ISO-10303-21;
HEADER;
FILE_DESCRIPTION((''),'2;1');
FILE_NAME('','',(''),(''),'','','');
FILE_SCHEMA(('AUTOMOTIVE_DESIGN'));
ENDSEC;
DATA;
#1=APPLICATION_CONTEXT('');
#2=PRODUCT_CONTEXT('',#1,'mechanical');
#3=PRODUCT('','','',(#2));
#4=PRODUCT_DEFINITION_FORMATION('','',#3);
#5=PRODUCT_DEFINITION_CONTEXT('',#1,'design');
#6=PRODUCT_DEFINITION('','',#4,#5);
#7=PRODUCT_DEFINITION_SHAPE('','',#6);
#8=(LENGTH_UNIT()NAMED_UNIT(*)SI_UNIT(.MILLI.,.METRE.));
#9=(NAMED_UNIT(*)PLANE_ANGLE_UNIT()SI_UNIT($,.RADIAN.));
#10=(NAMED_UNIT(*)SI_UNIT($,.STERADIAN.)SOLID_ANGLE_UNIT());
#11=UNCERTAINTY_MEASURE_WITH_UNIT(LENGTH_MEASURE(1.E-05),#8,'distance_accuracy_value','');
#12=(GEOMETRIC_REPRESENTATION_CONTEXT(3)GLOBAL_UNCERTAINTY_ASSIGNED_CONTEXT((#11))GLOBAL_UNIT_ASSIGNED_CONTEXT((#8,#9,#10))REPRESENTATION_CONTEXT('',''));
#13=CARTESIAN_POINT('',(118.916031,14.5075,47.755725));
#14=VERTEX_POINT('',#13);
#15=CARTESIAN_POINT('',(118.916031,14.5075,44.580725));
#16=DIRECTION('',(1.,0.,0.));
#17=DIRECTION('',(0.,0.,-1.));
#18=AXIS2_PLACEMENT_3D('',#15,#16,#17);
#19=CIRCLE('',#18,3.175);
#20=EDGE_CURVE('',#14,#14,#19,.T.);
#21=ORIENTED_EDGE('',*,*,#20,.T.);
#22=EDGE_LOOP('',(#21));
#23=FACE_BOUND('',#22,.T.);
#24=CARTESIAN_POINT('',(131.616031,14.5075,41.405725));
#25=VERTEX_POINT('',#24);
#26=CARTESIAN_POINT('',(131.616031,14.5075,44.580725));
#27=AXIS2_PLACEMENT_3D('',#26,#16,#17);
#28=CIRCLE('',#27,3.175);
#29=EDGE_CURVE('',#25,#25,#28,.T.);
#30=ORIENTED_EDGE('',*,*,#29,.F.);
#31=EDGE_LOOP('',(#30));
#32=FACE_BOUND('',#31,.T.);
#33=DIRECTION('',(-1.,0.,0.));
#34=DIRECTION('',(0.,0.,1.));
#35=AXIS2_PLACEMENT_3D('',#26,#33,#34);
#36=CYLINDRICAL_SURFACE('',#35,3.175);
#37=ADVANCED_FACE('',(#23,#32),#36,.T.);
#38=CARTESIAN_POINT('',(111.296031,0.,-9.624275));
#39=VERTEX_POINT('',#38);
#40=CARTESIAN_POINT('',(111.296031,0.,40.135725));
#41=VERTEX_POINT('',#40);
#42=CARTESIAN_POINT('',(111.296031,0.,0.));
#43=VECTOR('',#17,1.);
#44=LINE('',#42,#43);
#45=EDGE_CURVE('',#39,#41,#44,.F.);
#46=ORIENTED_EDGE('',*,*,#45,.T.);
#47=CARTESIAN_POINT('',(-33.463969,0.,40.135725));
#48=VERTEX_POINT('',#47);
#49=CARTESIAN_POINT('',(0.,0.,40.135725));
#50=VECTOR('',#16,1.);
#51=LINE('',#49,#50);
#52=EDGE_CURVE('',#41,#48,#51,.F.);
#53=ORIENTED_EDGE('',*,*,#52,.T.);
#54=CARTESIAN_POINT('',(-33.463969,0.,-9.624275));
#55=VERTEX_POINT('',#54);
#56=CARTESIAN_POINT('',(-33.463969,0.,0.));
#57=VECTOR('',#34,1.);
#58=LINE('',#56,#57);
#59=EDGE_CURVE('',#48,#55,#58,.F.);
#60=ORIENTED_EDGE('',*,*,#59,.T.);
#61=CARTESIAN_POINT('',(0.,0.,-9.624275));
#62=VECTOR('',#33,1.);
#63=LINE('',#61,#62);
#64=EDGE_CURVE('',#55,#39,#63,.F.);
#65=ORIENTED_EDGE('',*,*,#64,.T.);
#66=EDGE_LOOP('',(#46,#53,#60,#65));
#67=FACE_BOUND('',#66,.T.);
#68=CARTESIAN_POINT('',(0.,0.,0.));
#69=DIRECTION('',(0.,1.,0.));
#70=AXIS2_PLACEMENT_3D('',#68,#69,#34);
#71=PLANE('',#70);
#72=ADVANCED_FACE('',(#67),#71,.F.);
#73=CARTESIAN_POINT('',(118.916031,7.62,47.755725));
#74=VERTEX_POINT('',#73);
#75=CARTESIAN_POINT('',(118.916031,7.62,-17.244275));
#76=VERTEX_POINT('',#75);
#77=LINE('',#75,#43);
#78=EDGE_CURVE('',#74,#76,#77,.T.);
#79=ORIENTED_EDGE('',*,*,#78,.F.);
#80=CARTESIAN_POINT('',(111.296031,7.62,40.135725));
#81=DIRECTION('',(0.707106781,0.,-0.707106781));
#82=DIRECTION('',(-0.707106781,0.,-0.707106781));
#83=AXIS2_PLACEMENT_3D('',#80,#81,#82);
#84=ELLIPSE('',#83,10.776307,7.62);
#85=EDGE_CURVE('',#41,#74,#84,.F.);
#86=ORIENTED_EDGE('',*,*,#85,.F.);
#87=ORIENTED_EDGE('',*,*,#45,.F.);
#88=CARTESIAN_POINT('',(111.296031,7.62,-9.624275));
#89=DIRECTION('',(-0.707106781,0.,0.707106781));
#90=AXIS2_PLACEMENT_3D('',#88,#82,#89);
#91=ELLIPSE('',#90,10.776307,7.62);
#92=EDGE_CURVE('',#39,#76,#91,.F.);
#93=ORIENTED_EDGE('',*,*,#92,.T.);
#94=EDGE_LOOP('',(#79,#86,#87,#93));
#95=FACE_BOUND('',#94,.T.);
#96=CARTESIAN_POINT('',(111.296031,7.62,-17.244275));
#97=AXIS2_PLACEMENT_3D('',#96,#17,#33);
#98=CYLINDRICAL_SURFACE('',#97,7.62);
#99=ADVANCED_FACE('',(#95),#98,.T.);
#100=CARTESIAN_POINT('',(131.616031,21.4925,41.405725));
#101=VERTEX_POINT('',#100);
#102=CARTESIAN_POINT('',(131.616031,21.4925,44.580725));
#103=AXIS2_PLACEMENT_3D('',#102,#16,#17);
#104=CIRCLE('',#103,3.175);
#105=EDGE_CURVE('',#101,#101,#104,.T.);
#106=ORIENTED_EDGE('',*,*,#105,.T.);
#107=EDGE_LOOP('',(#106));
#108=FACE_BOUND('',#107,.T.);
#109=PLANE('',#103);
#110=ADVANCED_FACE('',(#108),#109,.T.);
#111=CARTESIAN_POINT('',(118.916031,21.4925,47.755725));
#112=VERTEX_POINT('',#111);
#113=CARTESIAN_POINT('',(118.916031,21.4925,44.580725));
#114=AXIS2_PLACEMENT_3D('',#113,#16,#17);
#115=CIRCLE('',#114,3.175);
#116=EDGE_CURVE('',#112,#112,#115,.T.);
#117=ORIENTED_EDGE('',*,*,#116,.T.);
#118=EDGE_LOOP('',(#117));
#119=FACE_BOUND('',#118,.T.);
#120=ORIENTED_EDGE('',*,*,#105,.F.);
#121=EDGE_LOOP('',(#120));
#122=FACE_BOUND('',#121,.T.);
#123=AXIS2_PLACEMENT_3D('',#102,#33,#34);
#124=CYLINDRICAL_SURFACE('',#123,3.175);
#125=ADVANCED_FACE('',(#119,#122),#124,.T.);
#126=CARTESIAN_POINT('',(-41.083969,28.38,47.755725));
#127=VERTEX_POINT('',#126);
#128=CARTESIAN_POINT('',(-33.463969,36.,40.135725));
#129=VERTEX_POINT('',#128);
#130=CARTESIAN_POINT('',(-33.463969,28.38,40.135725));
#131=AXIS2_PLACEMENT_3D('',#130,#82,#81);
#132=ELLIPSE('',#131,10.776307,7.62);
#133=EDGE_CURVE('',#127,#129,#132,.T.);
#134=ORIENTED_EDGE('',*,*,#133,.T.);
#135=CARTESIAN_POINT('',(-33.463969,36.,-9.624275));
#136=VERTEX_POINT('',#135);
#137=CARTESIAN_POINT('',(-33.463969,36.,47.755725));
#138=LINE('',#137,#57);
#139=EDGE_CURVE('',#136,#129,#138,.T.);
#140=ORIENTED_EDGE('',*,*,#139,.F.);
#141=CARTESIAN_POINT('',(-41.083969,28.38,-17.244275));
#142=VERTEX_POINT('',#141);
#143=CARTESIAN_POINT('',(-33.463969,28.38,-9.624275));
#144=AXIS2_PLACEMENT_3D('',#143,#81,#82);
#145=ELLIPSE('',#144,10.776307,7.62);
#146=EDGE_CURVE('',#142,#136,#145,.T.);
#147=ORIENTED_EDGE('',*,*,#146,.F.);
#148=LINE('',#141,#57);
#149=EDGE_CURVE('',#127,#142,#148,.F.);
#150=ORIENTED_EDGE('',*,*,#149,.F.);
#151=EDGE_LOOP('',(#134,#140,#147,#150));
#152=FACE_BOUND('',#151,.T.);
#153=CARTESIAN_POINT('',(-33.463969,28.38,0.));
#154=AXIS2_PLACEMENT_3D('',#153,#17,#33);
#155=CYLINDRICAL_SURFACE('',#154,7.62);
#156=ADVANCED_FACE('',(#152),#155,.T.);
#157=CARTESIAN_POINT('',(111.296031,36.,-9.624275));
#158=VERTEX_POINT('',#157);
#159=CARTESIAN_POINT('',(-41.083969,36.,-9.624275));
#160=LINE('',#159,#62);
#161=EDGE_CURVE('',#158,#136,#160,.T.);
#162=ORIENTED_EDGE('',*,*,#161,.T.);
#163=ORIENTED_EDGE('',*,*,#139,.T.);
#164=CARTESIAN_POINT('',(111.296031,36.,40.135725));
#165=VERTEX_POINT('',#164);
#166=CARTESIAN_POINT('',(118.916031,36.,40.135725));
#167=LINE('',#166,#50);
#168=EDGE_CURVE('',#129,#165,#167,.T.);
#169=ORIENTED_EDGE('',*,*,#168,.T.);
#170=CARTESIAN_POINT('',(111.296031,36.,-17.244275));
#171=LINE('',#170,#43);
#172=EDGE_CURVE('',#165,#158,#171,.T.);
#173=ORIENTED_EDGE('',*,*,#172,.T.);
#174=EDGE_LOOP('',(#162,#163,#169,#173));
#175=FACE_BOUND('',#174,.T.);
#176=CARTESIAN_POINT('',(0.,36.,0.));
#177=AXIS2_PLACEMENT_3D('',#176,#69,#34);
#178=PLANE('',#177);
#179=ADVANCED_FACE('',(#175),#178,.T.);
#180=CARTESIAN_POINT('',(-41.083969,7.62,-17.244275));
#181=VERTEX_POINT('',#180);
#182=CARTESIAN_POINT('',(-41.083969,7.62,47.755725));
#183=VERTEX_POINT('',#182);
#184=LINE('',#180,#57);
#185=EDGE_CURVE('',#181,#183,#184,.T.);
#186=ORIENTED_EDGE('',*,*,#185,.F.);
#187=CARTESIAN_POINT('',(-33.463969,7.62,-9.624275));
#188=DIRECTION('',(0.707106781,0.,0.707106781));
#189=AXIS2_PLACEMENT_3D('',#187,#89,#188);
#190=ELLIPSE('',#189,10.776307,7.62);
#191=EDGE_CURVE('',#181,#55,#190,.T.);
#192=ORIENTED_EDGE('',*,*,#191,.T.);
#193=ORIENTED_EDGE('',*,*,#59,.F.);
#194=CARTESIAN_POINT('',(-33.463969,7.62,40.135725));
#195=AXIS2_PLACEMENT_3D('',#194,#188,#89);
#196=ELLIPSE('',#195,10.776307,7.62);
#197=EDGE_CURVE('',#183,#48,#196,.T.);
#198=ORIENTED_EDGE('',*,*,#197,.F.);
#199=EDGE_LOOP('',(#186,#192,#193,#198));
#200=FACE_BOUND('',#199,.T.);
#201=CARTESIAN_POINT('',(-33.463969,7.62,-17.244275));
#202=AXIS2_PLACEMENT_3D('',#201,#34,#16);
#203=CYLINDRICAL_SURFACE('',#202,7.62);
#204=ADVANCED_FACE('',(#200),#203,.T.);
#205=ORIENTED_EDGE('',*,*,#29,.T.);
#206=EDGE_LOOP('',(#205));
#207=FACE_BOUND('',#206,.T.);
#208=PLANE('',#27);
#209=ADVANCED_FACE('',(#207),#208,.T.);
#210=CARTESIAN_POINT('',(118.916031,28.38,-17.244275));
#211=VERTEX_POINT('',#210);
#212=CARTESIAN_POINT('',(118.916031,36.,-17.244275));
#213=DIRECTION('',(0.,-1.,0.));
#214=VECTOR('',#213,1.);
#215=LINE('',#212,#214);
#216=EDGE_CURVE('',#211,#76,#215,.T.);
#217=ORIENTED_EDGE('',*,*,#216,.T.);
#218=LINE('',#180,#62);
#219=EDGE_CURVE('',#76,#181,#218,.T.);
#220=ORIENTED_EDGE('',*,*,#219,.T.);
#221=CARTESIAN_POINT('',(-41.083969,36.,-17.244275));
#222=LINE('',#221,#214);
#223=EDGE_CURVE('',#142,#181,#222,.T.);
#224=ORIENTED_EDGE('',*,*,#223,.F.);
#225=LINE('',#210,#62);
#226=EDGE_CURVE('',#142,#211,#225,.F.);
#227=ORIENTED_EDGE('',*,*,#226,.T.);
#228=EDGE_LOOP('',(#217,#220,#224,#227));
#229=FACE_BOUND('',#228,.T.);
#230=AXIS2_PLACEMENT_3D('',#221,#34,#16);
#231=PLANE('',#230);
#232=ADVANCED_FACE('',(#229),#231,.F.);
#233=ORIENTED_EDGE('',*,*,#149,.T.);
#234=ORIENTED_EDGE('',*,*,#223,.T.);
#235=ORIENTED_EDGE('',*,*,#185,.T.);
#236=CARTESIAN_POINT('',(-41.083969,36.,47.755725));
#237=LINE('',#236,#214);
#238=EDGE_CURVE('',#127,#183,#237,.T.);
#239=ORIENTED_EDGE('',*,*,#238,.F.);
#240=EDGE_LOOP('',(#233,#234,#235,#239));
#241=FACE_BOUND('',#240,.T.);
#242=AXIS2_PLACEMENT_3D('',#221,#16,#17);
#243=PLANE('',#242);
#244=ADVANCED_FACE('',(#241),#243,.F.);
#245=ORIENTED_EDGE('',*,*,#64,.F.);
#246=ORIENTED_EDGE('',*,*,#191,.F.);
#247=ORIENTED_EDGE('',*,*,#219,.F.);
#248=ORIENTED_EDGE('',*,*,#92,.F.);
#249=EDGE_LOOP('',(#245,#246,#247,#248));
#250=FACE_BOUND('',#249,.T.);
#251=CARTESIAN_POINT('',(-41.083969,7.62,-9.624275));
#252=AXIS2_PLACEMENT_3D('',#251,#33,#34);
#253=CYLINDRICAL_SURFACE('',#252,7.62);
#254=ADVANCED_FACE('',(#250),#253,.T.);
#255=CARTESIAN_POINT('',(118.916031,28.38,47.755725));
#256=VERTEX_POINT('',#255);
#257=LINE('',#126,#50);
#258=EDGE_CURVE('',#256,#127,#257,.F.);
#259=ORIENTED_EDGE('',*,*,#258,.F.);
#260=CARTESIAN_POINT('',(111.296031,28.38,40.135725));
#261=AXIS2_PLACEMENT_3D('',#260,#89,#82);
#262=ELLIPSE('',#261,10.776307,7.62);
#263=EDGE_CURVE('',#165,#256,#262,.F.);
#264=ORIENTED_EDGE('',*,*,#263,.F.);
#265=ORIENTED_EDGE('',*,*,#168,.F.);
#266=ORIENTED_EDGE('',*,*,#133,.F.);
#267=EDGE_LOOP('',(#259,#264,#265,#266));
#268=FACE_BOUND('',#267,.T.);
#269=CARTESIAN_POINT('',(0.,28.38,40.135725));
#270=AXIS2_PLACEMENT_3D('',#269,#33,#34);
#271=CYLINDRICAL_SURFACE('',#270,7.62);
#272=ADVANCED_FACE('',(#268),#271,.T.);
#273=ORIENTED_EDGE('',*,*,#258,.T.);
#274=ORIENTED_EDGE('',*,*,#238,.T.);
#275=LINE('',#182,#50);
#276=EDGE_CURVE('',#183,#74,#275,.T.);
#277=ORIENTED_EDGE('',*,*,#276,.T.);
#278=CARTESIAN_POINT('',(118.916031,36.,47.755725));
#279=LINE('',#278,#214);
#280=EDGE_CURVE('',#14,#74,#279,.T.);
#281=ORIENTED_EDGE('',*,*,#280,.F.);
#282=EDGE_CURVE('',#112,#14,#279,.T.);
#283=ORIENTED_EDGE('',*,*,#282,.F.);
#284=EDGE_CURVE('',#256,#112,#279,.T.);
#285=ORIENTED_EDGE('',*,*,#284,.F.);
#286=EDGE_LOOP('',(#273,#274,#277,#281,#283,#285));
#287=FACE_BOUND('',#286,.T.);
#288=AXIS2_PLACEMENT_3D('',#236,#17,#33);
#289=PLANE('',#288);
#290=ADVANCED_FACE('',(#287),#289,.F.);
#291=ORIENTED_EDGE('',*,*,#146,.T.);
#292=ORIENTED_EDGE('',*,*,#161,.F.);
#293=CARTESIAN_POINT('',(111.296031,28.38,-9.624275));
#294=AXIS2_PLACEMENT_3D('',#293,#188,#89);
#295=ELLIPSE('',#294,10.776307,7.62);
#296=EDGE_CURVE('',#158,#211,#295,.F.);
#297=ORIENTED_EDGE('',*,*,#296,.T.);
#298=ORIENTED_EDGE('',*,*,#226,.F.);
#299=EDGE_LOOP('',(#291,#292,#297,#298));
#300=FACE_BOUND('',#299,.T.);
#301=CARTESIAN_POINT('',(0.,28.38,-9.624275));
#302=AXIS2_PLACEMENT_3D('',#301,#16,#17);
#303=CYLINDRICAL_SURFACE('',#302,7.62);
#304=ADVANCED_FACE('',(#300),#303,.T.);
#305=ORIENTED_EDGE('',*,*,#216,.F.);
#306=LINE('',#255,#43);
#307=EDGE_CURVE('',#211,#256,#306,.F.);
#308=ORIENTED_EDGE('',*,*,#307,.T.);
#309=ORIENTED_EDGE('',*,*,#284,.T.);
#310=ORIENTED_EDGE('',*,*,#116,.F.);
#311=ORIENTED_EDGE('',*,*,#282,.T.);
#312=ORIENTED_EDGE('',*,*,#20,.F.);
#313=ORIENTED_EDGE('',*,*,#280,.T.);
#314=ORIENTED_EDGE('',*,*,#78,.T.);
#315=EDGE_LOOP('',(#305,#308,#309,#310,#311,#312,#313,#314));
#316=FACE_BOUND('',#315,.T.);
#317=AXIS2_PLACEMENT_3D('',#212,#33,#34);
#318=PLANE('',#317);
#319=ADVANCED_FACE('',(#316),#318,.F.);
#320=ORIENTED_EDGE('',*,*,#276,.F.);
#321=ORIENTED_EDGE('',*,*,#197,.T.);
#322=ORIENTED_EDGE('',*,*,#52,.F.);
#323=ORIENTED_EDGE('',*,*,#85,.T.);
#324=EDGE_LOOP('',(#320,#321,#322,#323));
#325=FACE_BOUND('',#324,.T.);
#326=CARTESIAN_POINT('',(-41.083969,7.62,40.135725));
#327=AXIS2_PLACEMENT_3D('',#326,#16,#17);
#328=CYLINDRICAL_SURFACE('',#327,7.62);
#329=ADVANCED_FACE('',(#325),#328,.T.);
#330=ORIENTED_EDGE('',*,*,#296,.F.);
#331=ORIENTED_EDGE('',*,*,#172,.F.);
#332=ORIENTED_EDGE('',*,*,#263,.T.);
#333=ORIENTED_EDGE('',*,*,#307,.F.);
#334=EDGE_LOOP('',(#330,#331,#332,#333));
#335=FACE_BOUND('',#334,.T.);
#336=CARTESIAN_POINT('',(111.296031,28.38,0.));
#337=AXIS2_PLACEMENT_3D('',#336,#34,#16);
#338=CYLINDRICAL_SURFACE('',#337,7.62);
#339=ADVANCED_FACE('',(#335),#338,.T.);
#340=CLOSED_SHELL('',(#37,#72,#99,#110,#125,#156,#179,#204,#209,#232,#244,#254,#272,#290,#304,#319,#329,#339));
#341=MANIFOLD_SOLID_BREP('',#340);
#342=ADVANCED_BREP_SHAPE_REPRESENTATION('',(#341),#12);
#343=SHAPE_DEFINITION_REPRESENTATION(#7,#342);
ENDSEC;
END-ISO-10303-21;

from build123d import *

# Parameters (mm, degrees)
SKETCH1_W           = 160
SKETCH1_H           = 65
BOSS_EXTRUDE1_DEPTH = 36
SKETCH2_R           = 3.175
BOSS_EXTRUDE3_DEPTH = 12.7
FILLET1_R           = 7.62


with BuildPart() as part:
    # Sketch1 → Boss-Extrude1 (new body)
    with BuildSketch(Plane(origin=(0, 0, 0), x_dir=(1, 0, 0), z_dir=(0, 1, 0))):
        with Locations((38.916030534, -15.255725191)):
            Rectangle(SKETCH1_W, SKETCH1_H)
    extrude(amount=BOSS_EXTRUDE1_DEPTH)

    # Sketch2 → Boss-Extrude3 (add)
    with BuildSketch(Plane(origin=(118.916030534, 0, 0), x_dir=(0, 0, -1), z_dir=(1, 0, 0))):
        with Locations(Location((-44.580725191, 21.4925, 0), (0, 0, 180))):
            Circle(SKETCH2_R)
        with Locations(Location((-44.580725191, 14.5075, 0), (0, 0, 180))):
            Circle(SKETCH2_R)
    extrude(amount=BOSS_EXTRUDE3_DEPTH)

    # Fillet1
    fillet1_edges = [part.edges().sort_by_distance(p)[0] for p in [
        (118.916030534, 36, 15.255725191),
        (38.916030534, 36, -17.244274809),
        (-41.083969466, 36, 15.255725191),
        (38.916030534, 0, -17.244274809),
        (118.916030534, 0, 15.255725191),
        (38.916030534, 0, 47.755725191),
        (-41.083969466, 0, 15.255725191),
        (38.916030534, 36, 47.755725191),
    ]]
    fillet(fillet1_edges, radius=FILLET1_R)


solid = part.part
